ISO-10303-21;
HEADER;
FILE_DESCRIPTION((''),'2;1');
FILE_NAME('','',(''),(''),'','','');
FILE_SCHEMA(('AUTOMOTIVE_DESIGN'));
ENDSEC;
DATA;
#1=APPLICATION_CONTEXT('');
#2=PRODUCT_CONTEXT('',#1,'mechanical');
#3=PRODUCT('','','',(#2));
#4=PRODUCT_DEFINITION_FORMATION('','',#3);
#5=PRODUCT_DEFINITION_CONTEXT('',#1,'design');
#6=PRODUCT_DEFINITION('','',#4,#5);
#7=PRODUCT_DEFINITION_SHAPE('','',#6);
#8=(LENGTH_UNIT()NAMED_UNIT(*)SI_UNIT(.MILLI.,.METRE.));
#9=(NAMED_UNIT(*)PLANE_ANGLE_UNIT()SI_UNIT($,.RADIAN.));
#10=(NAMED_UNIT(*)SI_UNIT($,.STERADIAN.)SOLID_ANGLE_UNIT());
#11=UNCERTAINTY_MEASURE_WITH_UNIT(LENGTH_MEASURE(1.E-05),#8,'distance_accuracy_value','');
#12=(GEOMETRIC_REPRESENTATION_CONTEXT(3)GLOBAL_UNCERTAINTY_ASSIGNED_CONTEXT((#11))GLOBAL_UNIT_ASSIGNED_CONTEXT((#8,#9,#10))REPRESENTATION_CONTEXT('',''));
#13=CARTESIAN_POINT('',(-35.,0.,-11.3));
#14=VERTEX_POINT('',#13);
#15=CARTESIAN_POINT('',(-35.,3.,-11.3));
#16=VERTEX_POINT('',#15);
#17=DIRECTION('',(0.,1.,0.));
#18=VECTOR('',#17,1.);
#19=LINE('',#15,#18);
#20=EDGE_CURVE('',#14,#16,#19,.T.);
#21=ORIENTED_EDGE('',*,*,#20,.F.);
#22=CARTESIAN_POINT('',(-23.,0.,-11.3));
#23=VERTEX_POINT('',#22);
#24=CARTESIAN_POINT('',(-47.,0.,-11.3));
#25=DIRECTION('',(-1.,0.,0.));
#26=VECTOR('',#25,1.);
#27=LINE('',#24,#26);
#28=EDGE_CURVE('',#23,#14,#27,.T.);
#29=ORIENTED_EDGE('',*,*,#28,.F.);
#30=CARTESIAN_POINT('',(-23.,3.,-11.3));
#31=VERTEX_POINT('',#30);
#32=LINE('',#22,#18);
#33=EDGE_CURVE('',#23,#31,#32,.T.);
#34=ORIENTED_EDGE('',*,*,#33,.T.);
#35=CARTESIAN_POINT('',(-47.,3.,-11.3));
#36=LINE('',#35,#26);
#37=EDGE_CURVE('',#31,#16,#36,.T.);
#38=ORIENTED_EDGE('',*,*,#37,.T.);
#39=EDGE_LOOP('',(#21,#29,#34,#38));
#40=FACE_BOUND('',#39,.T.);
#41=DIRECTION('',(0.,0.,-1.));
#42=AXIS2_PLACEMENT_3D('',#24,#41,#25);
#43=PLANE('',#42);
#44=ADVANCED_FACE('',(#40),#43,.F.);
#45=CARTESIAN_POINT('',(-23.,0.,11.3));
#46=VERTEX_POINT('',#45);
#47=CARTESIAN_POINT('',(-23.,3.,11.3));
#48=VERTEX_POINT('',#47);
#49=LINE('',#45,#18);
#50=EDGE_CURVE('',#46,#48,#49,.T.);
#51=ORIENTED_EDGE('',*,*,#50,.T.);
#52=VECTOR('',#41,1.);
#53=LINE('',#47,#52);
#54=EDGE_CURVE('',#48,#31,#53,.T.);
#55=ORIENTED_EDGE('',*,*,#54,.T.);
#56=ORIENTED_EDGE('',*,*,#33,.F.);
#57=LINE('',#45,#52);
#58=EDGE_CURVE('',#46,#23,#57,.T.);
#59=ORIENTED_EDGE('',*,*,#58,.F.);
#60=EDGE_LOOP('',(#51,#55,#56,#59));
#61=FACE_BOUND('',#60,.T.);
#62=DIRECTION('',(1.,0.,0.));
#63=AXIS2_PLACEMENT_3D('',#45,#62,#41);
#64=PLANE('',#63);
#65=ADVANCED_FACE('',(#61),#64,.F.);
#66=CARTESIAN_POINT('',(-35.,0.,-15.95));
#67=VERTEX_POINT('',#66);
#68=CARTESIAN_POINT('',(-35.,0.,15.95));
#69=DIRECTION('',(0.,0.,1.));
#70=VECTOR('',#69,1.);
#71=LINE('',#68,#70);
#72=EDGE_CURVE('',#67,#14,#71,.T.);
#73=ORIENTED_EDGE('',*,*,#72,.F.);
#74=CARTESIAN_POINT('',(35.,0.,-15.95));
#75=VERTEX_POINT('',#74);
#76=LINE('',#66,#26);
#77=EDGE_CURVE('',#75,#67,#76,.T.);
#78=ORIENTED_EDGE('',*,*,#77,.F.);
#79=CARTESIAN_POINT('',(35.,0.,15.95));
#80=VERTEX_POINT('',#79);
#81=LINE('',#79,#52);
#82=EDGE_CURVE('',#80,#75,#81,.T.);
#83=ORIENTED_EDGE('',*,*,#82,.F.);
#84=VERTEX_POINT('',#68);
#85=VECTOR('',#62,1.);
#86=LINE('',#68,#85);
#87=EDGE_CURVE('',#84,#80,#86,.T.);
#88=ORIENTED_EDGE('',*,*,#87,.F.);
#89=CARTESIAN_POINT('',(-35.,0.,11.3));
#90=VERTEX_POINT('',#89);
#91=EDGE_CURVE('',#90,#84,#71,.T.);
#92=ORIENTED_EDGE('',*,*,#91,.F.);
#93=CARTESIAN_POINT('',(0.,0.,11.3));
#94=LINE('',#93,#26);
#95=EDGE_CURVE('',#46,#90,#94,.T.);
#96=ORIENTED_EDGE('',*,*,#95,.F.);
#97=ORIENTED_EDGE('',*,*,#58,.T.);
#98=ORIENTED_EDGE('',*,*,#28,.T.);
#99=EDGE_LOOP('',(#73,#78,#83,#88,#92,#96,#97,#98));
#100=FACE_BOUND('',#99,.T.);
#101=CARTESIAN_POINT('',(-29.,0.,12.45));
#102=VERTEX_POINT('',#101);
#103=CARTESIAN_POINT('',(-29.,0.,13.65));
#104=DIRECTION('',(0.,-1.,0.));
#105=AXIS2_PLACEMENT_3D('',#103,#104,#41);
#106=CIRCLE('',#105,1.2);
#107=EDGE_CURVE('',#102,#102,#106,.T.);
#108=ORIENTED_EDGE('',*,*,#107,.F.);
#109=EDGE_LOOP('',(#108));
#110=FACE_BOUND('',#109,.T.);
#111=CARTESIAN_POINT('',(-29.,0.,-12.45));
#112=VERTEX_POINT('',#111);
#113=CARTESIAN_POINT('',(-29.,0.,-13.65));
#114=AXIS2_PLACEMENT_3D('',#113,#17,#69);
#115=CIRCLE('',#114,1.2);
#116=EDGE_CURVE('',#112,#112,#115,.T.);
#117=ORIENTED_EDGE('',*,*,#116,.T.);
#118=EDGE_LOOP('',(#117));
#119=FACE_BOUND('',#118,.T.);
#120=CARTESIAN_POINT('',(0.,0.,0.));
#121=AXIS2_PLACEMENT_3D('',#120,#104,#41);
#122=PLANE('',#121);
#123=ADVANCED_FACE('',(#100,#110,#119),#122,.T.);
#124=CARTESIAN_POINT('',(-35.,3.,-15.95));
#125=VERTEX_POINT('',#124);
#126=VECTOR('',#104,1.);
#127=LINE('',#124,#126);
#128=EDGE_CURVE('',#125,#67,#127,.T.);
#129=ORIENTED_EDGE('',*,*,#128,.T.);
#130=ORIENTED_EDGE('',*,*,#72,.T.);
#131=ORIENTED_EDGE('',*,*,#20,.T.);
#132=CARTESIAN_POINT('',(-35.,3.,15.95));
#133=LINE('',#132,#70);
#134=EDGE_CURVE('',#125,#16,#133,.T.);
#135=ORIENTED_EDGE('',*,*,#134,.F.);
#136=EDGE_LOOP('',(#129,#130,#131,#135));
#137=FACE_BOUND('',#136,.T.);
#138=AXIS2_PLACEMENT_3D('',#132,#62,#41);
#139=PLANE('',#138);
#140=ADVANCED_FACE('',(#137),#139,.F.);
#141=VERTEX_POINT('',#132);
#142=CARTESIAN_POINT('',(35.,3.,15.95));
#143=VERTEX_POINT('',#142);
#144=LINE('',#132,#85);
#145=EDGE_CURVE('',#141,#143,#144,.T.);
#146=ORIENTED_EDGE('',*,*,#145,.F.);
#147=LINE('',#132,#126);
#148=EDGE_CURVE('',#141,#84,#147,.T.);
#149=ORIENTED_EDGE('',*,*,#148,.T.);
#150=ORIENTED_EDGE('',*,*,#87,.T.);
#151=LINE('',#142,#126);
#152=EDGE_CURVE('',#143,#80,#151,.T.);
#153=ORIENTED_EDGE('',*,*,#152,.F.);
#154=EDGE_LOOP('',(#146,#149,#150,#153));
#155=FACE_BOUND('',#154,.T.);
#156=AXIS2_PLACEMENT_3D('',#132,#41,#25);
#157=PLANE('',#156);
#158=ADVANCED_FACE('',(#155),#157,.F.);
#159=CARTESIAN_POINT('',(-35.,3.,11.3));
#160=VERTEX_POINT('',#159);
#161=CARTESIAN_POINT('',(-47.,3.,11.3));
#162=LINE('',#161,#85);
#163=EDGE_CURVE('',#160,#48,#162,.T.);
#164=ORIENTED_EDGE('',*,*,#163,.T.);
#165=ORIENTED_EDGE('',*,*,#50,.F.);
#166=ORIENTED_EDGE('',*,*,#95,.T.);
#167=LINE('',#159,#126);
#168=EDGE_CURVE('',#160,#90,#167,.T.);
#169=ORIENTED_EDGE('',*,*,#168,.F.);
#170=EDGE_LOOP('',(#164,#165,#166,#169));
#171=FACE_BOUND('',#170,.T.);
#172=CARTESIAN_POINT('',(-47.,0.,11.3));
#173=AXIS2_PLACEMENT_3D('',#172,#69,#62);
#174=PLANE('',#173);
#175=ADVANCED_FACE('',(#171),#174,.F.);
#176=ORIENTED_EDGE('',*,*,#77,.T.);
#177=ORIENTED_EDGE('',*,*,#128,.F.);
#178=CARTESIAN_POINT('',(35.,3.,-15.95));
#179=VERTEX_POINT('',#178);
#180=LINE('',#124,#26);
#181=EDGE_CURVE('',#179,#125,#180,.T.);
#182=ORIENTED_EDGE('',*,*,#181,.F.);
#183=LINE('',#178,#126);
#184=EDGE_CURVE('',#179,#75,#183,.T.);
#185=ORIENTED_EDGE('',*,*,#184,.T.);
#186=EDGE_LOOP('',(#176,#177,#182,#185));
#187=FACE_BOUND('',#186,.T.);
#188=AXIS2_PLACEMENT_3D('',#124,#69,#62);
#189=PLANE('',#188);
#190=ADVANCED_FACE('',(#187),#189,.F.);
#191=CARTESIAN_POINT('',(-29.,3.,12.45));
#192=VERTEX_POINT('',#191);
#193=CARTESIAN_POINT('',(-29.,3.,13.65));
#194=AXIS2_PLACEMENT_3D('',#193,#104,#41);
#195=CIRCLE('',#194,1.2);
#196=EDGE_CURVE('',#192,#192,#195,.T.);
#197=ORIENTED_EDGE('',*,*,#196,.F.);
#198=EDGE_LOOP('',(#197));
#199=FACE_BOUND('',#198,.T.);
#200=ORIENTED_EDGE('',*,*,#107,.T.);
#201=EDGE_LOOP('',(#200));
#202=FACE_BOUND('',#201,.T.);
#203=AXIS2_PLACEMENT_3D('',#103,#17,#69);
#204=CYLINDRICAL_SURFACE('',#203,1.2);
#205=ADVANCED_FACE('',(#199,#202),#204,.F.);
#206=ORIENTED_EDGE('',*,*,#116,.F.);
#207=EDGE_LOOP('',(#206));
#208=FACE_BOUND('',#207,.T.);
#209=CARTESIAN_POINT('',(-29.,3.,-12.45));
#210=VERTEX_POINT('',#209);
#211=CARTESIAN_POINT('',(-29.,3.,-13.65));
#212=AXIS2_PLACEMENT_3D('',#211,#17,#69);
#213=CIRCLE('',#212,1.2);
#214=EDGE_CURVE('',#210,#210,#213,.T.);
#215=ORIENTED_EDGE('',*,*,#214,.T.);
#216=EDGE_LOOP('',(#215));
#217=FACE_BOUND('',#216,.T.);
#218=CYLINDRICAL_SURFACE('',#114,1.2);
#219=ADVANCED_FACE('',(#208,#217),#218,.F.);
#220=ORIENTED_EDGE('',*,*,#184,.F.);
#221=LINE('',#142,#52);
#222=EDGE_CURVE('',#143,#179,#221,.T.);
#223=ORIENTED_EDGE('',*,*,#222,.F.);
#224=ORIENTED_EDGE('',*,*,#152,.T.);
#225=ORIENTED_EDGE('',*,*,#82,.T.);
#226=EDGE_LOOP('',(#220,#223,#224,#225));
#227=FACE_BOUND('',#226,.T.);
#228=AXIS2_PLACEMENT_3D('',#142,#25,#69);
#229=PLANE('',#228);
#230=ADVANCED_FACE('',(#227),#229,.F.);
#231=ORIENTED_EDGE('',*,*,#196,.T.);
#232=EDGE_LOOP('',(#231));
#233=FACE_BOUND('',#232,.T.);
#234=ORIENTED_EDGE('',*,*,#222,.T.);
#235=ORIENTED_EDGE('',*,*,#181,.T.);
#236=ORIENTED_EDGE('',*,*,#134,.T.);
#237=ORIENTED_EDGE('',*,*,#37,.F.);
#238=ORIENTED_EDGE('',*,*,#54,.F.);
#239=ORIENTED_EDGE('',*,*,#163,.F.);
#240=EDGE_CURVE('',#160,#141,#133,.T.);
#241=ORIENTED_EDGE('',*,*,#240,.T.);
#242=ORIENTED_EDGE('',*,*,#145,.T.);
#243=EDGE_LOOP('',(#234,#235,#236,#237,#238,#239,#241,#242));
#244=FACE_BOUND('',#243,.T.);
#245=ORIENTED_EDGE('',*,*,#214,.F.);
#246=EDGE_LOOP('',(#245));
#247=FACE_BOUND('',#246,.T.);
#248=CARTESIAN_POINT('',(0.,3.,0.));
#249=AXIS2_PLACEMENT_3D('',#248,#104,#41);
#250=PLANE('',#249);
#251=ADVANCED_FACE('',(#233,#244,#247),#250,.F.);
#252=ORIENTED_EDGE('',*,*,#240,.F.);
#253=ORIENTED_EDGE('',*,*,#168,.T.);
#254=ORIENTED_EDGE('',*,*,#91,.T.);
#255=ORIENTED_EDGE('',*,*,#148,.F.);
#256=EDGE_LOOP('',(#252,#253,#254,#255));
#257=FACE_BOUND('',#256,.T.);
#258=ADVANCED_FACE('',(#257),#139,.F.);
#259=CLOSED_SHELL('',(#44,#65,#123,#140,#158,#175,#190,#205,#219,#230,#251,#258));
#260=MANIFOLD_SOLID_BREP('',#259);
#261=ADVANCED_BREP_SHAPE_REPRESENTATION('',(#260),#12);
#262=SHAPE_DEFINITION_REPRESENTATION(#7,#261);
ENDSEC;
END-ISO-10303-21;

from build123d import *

# Parameters (mm, degrees)
SKETCH1_W           = 70
SKETCH1_H           = 31.9
BOSS_EXTRUDE1_DEPTH = 3
SKETCH2_R           = 1.2
CUT_EXTRUDE1_DEPTH  = 3
SKETCH3_W           = 24
SKETCH3_H           = 22.6
CUT_EXTRUDE2_DEPTH  = 3


with BuildPart() as part:
    # Sketch1 → Boss-Extrude1 (new body)
    with BuildSketch(Plane(origin=(0, 0, 0), x_dir=(1, 0, 0), z_dir=(0, 1, 0))):
        Rectangle(SKETCH1_W, SKETCH1_H)
    extrude(amount=BOSS_EXTRUDE1_DEPTH)

    # Sketch2 → Cut-Extrude1 (cut)
    with BuildSketch(Plane(origin=(0, 3, 0), x_dir=(1, 0, 0), z_dir=(0, 1, 0))):
        with Locations((-29, 13.65)):
            Circle(SKETCH2_R)
    cut_extrude1 = extrude(amount=-CUT_EXTRUDE1_DEPTH, mode=Mode.SUBTRACT)

    # Mirror1: Cut-Extrude1 across plane
    add(cut_extrude1.mirror(Plane.XY), mode=Mode.SUBTRACT)

    # Sketch3 → Cut-Extrude2 (cut)
    with BuildSketch(Plane(origin=(0, 3, 0), x_dir=(1, 0, 0), z_dir=(0, 1, 0))):
        with Locations((-35, 0)):
            Rectangle(SKETCH3_W, SKETCH3_H)
    extrude(amount=-CUT_EXTRUDE2_DEPTH, mode=Mode.SUBTRACT)


solid = part.part
